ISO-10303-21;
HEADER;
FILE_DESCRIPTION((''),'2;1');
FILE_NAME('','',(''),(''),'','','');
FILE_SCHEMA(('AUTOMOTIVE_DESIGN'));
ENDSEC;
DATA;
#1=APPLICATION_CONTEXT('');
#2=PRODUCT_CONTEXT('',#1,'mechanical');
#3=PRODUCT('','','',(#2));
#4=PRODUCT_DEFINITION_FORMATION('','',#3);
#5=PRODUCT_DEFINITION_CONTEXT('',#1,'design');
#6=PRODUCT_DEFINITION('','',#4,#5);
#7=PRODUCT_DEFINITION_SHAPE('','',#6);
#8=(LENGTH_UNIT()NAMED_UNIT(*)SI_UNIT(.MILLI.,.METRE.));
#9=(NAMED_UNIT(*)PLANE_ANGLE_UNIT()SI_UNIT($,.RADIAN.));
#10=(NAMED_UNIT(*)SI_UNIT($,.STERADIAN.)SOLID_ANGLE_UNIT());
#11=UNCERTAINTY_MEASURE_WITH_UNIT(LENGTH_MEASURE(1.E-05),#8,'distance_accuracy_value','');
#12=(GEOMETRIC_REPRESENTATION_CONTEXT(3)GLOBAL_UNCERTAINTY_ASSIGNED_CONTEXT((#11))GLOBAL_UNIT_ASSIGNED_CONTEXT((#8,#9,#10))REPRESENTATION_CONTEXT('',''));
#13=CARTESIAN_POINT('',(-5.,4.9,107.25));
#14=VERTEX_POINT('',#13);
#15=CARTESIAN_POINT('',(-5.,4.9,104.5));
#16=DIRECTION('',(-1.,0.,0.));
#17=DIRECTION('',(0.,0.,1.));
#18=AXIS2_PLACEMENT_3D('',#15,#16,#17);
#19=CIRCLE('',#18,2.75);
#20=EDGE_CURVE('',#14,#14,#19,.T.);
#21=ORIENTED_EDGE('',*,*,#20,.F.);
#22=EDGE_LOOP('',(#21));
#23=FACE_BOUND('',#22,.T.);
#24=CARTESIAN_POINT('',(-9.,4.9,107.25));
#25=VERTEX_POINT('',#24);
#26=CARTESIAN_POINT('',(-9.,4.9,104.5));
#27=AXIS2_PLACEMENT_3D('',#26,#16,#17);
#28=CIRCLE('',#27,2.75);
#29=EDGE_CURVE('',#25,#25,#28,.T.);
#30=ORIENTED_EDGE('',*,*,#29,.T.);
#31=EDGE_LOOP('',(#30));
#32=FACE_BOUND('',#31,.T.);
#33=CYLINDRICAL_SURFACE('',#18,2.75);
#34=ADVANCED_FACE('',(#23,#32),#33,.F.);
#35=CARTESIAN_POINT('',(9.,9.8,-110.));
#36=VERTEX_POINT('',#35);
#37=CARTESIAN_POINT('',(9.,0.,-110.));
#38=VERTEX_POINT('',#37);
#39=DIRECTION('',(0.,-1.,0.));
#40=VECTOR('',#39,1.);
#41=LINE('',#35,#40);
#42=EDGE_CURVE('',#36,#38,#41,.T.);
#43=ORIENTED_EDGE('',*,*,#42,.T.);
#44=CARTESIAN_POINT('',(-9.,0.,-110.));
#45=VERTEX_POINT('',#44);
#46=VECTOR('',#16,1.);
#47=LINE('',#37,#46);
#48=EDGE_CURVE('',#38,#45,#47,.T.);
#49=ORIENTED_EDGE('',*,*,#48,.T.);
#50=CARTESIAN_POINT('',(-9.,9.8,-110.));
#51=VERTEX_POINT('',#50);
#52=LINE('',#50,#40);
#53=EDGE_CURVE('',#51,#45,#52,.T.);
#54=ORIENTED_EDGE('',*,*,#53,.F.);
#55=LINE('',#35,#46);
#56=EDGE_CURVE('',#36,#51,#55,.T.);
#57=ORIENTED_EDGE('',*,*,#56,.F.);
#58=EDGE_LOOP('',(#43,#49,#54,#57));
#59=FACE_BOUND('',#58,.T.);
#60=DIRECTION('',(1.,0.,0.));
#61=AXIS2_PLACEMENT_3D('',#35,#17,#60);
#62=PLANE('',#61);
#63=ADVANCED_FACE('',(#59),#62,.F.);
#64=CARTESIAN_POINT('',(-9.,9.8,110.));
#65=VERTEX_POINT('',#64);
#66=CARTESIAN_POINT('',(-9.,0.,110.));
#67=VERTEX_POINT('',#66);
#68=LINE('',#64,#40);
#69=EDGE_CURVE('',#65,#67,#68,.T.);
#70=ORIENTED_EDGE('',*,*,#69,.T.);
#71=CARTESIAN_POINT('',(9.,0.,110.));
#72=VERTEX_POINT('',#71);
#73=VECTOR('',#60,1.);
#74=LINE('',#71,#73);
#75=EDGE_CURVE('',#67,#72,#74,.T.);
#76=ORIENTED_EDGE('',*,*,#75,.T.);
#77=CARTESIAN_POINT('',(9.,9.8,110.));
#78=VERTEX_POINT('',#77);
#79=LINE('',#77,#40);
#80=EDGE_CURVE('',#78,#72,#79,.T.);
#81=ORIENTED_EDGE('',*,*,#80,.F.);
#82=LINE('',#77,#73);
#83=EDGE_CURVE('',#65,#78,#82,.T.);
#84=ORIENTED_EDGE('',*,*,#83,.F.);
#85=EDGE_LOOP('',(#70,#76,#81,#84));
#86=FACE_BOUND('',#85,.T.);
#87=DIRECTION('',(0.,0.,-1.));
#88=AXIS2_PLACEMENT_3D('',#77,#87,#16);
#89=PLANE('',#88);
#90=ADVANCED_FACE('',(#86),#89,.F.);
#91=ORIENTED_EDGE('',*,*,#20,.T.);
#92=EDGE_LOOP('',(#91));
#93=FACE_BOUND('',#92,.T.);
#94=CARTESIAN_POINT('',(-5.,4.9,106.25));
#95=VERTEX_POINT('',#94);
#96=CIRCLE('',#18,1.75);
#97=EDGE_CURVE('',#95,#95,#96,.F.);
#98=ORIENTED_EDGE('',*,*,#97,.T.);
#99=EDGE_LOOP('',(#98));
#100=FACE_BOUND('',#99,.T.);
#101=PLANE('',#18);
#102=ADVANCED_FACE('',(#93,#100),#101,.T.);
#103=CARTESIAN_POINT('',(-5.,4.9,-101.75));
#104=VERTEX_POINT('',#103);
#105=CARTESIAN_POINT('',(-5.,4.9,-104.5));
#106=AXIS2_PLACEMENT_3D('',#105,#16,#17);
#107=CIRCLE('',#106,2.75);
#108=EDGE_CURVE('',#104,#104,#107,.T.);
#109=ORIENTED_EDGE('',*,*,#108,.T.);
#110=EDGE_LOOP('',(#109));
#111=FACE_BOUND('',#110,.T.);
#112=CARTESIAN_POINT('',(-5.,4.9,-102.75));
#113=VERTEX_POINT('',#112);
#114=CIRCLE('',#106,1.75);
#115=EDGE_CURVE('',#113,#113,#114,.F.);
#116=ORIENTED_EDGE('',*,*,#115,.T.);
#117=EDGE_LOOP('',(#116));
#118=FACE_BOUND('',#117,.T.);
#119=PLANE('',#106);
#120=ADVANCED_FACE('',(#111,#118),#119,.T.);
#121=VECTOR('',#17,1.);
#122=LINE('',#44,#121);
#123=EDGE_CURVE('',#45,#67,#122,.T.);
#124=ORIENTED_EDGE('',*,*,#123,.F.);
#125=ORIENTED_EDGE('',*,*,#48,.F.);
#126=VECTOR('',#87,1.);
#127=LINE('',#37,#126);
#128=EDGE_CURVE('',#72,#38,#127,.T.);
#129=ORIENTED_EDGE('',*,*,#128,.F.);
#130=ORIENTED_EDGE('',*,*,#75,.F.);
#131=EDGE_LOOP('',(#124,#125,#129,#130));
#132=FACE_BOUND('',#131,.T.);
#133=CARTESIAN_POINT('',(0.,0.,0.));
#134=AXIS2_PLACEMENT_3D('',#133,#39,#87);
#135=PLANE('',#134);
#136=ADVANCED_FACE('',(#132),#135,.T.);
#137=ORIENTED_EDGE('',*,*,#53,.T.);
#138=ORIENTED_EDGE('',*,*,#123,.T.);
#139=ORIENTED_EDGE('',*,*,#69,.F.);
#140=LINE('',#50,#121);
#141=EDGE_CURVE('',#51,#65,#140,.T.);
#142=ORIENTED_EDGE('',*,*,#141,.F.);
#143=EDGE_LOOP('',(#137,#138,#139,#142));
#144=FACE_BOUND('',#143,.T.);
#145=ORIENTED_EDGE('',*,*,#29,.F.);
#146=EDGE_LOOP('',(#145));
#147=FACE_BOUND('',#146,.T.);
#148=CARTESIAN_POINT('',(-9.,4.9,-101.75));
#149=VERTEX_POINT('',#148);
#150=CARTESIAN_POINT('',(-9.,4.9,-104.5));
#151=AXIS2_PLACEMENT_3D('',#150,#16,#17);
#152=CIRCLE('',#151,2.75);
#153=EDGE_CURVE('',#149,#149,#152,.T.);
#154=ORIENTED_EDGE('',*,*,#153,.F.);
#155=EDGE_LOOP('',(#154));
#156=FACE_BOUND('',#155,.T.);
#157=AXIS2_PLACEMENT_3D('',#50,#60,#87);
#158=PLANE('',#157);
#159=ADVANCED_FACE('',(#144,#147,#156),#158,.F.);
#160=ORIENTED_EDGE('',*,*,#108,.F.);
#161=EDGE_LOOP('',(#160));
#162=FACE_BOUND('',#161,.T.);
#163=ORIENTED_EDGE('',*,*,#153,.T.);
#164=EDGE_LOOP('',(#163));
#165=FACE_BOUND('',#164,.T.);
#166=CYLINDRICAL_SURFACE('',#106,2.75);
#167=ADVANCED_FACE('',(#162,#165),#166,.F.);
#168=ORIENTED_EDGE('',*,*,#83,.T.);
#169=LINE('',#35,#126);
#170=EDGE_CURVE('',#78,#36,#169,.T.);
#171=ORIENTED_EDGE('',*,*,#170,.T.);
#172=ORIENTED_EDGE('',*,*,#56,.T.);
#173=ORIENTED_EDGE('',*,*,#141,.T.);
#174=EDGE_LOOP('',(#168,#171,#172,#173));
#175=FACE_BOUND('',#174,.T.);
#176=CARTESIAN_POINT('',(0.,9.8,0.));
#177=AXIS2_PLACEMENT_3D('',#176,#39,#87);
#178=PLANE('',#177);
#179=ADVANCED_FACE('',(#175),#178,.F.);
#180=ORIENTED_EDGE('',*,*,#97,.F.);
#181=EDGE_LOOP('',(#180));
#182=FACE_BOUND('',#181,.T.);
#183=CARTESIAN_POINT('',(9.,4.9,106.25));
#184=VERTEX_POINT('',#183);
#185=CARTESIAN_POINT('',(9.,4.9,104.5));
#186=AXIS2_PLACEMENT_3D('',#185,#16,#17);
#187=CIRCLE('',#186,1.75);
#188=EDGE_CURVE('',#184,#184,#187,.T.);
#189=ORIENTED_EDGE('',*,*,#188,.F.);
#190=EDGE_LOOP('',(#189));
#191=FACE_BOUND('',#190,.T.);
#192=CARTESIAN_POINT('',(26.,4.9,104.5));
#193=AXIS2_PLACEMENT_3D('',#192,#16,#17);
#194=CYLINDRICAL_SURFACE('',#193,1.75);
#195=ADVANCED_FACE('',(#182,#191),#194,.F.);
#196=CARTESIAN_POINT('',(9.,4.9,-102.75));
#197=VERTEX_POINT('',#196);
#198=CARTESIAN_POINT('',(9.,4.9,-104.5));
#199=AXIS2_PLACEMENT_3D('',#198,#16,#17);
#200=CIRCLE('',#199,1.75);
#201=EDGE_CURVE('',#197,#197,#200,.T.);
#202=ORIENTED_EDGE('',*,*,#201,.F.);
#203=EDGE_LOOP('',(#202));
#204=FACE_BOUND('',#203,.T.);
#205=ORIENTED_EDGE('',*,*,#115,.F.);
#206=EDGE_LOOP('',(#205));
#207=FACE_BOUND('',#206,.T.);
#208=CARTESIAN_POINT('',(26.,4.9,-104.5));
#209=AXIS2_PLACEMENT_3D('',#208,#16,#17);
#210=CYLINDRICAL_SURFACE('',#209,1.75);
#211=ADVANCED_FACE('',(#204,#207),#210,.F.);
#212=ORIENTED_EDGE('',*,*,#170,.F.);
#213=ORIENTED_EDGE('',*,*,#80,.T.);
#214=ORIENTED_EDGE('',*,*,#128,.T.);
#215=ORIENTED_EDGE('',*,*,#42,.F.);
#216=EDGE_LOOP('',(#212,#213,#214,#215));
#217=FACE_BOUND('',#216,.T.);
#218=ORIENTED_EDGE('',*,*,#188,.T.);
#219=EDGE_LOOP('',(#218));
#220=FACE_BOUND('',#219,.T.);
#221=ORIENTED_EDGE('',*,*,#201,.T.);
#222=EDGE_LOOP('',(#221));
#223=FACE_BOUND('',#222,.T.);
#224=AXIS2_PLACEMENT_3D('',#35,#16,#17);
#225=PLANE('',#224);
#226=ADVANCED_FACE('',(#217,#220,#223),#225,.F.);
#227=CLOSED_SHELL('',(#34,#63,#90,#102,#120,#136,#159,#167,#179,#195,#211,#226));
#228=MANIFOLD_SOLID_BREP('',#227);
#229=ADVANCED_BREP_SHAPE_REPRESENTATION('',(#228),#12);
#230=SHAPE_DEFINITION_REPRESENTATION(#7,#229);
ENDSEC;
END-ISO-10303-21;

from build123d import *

# Parameters (mm, degrees)
SKETCH1_W           = 18
SKETCH1_H           = 220
BOSS_EXTRUDE1_DEPTH = 9.8
SKETCH3_R           = 1.75
CUT_EXTRUDE1_DEPTH  = 35
SKETCH4_R           = 2.75
CUT_EXTRUDE2_DEPTH  = 4


with BuildPart() as part:
    # Sketch1 → Boss-Extrude1 (new body)
    with BuildSketch(Plane(origin=(0, 0, 0), x_dir=(1, 0, 0), z_dir=(0, 1, 0))):
        Rectangle(SKETCH1_W, SKETCH1_H)
    extrude(amount=BOSS_EXTRUDE1_DEPTH)

    # Sketch3 → Cut-Extrude1 (cut)
    with BuildSketch(Plane.ZY.offset(9)):
        with Locations((-104.5, 4.9)):
            Circle(SKETCH3_R)
        with Locations((104.5, 4.9)):
            Circle(SKETCH3_R)
    extrude(amount=-CUT_EXTRUDE1_DEPTH, mode=Mode.SUBTRACT)

    # Sketch4 → Cut-Extrude2 (cut)
    with BuildSketch(Plane.ZY.offset(9)):
        with Locations((-104.5, 4.9)):
            Circle(SKETCH4_R)
        with Locations((104.5, 4.9)):
            Circle(SKETCH4_R)
    extrude(amount=-CUT_EXTRUDE2_DEPTH, mode=Mode.SUBTRACT)


solid = part.part
